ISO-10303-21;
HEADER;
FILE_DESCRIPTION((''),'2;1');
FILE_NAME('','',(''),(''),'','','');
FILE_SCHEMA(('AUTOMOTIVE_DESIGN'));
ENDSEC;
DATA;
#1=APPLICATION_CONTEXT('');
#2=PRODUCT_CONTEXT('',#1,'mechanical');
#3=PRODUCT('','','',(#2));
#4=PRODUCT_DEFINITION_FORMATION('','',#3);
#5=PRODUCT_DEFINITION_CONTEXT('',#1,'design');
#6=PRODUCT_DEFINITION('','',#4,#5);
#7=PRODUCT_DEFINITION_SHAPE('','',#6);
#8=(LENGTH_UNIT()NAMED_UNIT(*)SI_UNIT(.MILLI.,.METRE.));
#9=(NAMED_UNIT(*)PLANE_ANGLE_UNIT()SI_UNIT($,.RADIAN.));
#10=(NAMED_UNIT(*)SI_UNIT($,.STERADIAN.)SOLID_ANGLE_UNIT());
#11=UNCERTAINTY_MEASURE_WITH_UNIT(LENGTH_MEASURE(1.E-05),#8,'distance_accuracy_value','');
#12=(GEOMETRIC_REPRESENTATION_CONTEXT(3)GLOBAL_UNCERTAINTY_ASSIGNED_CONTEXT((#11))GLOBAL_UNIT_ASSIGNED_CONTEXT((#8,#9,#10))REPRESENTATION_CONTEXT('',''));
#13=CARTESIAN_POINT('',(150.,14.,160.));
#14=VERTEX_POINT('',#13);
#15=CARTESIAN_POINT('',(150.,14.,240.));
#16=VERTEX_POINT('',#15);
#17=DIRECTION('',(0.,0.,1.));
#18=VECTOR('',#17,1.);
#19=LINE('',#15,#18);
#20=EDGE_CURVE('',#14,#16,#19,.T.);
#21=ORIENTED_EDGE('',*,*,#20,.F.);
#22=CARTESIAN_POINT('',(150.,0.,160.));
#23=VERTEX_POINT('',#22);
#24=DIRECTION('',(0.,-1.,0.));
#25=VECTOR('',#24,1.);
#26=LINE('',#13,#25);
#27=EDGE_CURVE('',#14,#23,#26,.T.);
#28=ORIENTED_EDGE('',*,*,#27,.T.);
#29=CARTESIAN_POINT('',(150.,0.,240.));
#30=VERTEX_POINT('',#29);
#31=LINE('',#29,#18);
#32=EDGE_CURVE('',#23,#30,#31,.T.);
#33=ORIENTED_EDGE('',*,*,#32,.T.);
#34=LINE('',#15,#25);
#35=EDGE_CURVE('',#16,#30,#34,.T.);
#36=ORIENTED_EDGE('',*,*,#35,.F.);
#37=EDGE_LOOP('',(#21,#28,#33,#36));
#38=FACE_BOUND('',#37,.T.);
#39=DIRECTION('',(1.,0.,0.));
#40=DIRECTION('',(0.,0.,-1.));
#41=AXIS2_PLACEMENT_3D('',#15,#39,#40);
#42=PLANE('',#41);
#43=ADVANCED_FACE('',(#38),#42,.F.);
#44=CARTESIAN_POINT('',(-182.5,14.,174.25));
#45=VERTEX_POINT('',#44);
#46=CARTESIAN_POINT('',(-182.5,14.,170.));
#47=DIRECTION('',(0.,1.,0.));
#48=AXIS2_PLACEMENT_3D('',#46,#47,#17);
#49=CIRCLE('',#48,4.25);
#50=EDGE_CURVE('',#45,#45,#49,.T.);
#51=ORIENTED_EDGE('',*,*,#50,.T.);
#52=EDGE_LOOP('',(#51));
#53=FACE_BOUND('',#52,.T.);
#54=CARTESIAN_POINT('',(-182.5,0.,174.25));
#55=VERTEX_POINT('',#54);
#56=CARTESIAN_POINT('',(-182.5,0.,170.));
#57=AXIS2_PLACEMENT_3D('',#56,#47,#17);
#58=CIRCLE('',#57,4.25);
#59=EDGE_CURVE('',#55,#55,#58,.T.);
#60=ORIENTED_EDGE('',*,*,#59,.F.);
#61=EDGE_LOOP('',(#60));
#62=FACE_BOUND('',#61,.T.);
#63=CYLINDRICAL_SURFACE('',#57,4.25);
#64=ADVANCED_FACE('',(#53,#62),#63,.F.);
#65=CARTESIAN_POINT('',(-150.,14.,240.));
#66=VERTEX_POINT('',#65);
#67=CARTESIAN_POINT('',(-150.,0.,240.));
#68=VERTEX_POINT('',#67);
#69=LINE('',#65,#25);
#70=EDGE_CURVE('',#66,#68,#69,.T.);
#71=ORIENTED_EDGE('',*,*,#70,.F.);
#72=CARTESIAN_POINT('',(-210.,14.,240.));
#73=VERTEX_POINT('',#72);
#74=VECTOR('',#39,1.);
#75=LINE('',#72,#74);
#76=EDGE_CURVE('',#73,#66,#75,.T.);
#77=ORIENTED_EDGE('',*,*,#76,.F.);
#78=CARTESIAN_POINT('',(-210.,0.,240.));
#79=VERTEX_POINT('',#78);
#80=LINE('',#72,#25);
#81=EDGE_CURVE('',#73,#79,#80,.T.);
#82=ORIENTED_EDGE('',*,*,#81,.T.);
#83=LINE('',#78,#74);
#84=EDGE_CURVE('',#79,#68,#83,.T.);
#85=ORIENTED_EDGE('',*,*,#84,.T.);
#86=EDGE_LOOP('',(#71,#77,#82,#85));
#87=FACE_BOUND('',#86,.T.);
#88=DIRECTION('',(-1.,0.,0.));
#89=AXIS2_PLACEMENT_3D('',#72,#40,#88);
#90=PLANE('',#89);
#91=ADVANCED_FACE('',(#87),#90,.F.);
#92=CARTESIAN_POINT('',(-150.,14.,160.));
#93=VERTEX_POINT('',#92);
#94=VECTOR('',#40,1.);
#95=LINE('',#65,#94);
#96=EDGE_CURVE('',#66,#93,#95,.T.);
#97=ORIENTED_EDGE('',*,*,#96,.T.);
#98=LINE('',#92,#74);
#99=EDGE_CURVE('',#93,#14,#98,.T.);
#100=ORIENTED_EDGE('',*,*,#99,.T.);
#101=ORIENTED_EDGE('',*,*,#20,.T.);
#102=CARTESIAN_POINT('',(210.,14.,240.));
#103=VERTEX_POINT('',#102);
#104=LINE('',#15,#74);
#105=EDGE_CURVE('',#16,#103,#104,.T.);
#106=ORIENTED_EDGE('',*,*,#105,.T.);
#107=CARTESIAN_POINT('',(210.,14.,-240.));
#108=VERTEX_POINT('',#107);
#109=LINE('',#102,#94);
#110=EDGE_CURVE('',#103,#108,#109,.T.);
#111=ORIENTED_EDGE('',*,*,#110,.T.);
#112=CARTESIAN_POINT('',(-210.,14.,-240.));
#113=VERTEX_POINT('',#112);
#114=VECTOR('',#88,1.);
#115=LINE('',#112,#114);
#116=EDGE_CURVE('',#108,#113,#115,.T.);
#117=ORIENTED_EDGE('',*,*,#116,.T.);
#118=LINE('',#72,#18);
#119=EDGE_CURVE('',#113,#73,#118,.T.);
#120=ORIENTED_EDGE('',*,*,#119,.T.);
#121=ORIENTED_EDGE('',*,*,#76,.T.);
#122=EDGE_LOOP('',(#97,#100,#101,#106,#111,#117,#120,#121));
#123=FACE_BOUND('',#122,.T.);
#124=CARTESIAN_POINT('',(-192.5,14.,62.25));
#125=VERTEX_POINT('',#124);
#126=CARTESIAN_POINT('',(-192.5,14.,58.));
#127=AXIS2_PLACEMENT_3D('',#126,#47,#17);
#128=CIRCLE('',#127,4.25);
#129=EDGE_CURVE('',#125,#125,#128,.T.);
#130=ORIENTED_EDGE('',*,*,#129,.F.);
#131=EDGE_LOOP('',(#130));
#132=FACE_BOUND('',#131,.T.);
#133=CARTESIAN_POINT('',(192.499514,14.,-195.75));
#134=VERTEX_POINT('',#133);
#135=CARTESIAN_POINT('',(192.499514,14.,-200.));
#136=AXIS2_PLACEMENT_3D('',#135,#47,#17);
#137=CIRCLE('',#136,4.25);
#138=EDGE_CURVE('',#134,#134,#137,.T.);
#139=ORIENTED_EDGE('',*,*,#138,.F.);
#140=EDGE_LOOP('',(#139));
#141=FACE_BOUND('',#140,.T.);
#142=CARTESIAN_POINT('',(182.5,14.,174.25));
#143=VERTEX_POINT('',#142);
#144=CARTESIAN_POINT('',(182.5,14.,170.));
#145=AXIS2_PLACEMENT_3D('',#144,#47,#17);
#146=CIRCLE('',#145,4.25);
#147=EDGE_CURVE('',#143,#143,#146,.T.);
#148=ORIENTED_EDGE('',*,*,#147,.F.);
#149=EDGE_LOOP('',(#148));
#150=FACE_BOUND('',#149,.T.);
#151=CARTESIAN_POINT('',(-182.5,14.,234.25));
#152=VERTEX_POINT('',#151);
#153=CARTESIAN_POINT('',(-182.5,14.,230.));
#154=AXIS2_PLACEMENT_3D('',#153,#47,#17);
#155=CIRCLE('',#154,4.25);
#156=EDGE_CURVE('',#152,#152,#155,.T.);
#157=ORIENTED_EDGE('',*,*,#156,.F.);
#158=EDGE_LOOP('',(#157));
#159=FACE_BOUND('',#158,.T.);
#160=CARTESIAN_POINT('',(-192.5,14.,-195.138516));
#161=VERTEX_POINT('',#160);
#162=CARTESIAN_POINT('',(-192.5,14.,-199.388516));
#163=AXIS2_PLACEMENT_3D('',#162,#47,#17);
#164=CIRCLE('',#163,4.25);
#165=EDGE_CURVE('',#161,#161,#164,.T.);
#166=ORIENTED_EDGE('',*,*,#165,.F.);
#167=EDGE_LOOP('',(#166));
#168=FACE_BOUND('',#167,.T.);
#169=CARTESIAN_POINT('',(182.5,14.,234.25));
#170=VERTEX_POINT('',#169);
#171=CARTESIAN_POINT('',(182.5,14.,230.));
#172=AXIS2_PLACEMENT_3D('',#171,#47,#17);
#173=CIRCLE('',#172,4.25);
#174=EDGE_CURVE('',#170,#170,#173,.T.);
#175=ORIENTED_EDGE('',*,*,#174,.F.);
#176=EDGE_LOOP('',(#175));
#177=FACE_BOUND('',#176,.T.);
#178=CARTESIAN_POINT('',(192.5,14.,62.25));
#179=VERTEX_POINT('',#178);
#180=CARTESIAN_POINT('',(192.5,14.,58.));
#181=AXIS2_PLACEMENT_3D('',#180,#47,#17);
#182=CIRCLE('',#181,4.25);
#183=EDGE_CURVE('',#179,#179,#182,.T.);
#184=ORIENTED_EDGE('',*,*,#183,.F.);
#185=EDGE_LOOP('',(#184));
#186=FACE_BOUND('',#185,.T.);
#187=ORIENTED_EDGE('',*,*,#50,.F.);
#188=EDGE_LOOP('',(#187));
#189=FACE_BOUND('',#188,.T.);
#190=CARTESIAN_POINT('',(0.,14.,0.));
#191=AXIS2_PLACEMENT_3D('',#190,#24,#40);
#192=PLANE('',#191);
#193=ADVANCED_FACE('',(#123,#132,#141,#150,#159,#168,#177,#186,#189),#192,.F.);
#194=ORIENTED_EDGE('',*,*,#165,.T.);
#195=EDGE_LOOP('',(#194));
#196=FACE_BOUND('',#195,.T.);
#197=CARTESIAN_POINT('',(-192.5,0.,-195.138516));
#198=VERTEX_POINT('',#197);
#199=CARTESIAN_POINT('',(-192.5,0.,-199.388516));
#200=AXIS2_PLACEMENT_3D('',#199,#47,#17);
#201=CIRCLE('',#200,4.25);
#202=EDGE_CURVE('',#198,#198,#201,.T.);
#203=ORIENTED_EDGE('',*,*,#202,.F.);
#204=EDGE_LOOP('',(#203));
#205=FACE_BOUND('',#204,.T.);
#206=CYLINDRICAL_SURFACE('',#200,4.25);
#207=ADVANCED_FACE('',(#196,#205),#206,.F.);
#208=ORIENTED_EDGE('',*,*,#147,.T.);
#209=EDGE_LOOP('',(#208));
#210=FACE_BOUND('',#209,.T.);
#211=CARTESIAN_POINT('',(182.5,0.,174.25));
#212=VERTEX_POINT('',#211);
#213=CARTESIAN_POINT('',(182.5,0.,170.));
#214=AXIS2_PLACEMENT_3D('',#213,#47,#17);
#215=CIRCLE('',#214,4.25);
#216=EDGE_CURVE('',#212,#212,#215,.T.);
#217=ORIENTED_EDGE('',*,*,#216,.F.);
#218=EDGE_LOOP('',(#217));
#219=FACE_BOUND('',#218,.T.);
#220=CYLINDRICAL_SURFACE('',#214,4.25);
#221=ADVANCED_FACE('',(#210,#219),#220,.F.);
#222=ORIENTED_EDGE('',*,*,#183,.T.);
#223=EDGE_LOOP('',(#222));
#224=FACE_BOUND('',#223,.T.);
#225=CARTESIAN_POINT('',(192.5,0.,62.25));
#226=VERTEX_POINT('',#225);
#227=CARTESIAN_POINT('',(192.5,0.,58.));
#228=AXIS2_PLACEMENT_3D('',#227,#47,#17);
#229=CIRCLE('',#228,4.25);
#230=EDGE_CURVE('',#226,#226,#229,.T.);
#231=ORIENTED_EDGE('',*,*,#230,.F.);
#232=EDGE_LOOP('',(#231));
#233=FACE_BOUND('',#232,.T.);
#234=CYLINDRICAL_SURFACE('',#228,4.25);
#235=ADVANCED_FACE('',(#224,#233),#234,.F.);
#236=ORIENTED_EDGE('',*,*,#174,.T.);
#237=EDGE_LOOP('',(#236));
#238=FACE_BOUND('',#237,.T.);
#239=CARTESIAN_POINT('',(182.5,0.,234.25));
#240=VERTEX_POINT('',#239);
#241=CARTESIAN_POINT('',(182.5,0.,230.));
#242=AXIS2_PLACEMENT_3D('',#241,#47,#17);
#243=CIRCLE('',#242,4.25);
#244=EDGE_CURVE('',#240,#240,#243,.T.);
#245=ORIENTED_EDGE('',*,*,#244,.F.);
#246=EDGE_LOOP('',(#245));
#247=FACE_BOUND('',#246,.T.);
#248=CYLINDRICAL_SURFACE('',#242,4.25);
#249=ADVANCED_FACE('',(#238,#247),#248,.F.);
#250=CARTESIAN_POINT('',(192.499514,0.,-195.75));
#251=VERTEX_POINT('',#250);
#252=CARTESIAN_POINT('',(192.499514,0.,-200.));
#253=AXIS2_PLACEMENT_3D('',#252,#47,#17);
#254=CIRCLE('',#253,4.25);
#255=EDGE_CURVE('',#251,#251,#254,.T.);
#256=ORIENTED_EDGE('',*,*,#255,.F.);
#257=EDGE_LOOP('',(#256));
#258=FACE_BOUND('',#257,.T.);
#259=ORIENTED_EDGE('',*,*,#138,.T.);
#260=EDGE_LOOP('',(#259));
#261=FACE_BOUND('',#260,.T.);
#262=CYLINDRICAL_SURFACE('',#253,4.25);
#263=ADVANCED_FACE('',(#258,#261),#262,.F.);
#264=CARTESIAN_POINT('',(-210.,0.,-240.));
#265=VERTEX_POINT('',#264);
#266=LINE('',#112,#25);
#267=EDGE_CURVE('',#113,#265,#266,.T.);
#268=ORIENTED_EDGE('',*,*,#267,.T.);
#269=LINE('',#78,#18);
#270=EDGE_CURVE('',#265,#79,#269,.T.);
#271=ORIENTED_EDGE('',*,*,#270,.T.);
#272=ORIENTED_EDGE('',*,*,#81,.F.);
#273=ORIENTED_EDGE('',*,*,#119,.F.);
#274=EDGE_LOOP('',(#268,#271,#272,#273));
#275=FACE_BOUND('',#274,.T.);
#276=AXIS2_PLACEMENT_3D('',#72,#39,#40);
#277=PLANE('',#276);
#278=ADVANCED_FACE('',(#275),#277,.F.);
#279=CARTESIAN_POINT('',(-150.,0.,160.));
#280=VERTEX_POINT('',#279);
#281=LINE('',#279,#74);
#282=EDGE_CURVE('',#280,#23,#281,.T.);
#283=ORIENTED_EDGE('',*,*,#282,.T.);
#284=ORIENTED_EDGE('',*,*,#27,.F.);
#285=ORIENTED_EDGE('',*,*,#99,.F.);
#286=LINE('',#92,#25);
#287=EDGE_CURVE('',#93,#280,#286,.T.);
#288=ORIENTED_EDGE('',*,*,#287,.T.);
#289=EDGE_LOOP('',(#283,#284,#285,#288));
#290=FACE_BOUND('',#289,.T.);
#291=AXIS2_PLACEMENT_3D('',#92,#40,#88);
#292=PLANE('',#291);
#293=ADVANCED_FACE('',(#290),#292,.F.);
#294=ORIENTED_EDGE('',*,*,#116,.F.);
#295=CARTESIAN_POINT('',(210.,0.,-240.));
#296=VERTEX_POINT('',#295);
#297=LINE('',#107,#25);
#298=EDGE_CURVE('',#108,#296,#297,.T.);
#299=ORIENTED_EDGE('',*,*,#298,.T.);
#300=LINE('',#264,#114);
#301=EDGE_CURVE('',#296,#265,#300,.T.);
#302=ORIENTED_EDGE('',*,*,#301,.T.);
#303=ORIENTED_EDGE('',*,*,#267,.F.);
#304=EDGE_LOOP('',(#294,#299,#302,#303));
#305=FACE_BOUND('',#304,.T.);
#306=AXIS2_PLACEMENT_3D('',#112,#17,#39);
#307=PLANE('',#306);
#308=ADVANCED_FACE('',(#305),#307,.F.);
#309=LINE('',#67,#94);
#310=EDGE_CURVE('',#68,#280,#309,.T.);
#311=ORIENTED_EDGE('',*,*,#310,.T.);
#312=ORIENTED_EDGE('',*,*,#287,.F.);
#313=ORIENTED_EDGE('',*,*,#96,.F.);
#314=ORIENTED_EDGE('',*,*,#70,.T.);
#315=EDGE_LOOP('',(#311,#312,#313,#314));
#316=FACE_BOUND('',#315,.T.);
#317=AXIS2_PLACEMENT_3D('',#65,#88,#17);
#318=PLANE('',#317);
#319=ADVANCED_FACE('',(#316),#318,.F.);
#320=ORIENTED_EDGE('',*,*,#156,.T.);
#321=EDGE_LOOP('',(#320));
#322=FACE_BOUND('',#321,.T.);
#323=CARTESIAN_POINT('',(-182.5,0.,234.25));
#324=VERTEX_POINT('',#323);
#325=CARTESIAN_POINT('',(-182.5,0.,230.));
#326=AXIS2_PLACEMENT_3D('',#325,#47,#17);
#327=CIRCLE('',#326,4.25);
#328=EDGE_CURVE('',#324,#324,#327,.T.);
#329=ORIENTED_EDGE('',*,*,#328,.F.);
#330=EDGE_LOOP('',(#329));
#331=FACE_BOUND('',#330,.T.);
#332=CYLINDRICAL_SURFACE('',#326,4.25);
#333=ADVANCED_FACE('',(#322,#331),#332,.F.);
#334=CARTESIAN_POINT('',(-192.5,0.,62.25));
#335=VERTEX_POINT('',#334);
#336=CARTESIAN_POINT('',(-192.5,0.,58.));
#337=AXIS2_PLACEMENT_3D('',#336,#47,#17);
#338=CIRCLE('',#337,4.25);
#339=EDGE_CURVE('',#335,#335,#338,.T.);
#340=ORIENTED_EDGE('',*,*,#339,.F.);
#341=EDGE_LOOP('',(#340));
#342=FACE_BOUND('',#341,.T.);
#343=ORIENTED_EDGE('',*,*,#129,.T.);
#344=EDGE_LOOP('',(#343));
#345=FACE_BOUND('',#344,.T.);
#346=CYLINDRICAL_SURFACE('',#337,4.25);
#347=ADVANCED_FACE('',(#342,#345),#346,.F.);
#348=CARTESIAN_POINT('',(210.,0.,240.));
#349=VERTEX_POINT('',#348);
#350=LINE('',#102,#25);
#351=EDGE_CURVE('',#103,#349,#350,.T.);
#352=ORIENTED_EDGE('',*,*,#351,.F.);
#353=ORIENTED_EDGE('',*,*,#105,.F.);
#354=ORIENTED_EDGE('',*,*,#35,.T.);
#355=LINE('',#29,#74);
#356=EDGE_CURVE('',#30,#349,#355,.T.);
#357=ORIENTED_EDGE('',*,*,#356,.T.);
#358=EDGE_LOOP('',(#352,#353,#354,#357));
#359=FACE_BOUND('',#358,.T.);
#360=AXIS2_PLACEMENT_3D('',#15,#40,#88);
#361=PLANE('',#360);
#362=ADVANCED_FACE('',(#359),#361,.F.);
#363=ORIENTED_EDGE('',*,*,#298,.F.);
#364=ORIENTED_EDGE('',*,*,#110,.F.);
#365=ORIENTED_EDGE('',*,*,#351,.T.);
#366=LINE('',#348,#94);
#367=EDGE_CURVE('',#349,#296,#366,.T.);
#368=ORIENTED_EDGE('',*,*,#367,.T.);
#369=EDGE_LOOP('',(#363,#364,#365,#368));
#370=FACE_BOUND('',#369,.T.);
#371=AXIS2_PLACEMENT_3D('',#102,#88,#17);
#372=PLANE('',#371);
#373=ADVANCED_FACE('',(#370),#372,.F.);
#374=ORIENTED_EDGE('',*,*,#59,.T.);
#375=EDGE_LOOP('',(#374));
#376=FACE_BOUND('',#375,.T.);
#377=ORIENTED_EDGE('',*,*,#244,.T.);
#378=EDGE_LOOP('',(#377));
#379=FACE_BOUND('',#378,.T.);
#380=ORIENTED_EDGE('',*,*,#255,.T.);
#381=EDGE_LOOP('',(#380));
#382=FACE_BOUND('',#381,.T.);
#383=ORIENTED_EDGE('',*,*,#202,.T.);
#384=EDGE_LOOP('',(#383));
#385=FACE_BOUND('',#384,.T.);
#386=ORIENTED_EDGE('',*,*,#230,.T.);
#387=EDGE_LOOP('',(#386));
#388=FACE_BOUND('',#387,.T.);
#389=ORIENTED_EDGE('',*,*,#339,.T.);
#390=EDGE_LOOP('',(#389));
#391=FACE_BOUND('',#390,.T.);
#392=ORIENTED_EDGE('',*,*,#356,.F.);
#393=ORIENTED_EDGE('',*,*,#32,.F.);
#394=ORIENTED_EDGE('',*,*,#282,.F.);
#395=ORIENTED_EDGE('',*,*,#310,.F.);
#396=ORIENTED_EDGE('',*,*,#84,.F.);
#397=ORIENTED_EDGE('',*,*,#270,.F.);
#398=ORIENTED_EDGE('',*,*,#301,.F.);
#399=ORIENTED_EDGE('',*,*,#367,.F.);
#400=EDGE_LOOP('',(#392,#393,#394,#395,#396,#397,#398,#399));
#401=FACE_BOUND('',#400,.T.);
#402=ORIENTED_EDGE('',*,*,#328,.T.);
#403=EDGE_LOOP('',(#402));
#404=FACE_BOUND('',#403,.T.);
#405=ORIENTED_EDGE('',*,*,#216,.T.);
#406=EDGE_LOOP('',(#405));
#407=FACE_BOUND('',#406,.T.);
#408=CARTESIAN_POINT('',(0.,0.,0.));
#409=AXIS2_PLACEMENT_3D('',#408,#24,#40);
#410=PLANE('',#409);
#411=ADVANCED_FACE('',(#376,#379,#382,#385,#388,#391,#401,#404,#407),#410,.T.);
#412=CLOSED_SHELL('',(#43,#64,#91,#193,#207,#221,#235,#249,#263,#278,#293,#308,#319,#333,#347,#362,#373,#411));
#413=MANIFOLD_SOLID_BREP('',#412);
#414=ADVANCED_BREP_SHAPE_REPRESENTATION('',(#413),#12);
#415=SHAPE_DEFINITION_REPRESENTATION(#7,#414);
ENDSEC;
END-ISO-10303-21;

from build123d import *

# Parameters (mm, degrees)
SALIENTE_EXTRUIR1_DEPTH = 14
CROQUIS2_R              = 4.25
CORTAR_EXTRUIR1_DEPTH   = 15


with BuildPart() as part:
    # Croquis1 → Saliente-Extruir1 (new body)
    with BuildSketch(Plane(origin=(0, 0, 0), x_dir=(1, 0, 0), z_dir=(0, 1, 0))):
        Polygon((150, -240), (210, -240), (210, 240), (-210, 240), (-210, -240), (-150, -240), (-150, -160), (150, -160), align=None)
    extrude(amount=SALIENTE_EXTRUIR1_DEPTH)

    # Croquis2 → Cortar-Extruir1 (cut, through all)
    with BuildSketch(Plane(origin=(0, 14, 0), x_dir=(1, 0, 0), z_dir=(0, 1, 0))):
        with Locations((-182.5, -230.00000008)):
            Circle(CROQUIS2_R)
        with Locations((-182.5, -170.00000008)):
            Circle(CROQUIS2_R)
        with Locations((-192.5, -58)):
            Circle(CROQUIS2_R)
        with Locations((-192.5, 199.388515843)):
            Circle(CROQUIS2_R)
        with Locations((192.499514399, 200)):
            Circle(CROQUIS2_R)
        with Locations((192.5, -58)):
            Circle(CROQUIS2_R)
        with Locations((182.5, -170)):
            Circle(CROQUIS2_R)
        with Locations((182.5, -230)):
            Circle(CROQUIS2_R)
    extrude(amount=-CORTAR_EXTRUIR1_DEPTH, mode=Mode.SUBTRACT)


solid = part.part
